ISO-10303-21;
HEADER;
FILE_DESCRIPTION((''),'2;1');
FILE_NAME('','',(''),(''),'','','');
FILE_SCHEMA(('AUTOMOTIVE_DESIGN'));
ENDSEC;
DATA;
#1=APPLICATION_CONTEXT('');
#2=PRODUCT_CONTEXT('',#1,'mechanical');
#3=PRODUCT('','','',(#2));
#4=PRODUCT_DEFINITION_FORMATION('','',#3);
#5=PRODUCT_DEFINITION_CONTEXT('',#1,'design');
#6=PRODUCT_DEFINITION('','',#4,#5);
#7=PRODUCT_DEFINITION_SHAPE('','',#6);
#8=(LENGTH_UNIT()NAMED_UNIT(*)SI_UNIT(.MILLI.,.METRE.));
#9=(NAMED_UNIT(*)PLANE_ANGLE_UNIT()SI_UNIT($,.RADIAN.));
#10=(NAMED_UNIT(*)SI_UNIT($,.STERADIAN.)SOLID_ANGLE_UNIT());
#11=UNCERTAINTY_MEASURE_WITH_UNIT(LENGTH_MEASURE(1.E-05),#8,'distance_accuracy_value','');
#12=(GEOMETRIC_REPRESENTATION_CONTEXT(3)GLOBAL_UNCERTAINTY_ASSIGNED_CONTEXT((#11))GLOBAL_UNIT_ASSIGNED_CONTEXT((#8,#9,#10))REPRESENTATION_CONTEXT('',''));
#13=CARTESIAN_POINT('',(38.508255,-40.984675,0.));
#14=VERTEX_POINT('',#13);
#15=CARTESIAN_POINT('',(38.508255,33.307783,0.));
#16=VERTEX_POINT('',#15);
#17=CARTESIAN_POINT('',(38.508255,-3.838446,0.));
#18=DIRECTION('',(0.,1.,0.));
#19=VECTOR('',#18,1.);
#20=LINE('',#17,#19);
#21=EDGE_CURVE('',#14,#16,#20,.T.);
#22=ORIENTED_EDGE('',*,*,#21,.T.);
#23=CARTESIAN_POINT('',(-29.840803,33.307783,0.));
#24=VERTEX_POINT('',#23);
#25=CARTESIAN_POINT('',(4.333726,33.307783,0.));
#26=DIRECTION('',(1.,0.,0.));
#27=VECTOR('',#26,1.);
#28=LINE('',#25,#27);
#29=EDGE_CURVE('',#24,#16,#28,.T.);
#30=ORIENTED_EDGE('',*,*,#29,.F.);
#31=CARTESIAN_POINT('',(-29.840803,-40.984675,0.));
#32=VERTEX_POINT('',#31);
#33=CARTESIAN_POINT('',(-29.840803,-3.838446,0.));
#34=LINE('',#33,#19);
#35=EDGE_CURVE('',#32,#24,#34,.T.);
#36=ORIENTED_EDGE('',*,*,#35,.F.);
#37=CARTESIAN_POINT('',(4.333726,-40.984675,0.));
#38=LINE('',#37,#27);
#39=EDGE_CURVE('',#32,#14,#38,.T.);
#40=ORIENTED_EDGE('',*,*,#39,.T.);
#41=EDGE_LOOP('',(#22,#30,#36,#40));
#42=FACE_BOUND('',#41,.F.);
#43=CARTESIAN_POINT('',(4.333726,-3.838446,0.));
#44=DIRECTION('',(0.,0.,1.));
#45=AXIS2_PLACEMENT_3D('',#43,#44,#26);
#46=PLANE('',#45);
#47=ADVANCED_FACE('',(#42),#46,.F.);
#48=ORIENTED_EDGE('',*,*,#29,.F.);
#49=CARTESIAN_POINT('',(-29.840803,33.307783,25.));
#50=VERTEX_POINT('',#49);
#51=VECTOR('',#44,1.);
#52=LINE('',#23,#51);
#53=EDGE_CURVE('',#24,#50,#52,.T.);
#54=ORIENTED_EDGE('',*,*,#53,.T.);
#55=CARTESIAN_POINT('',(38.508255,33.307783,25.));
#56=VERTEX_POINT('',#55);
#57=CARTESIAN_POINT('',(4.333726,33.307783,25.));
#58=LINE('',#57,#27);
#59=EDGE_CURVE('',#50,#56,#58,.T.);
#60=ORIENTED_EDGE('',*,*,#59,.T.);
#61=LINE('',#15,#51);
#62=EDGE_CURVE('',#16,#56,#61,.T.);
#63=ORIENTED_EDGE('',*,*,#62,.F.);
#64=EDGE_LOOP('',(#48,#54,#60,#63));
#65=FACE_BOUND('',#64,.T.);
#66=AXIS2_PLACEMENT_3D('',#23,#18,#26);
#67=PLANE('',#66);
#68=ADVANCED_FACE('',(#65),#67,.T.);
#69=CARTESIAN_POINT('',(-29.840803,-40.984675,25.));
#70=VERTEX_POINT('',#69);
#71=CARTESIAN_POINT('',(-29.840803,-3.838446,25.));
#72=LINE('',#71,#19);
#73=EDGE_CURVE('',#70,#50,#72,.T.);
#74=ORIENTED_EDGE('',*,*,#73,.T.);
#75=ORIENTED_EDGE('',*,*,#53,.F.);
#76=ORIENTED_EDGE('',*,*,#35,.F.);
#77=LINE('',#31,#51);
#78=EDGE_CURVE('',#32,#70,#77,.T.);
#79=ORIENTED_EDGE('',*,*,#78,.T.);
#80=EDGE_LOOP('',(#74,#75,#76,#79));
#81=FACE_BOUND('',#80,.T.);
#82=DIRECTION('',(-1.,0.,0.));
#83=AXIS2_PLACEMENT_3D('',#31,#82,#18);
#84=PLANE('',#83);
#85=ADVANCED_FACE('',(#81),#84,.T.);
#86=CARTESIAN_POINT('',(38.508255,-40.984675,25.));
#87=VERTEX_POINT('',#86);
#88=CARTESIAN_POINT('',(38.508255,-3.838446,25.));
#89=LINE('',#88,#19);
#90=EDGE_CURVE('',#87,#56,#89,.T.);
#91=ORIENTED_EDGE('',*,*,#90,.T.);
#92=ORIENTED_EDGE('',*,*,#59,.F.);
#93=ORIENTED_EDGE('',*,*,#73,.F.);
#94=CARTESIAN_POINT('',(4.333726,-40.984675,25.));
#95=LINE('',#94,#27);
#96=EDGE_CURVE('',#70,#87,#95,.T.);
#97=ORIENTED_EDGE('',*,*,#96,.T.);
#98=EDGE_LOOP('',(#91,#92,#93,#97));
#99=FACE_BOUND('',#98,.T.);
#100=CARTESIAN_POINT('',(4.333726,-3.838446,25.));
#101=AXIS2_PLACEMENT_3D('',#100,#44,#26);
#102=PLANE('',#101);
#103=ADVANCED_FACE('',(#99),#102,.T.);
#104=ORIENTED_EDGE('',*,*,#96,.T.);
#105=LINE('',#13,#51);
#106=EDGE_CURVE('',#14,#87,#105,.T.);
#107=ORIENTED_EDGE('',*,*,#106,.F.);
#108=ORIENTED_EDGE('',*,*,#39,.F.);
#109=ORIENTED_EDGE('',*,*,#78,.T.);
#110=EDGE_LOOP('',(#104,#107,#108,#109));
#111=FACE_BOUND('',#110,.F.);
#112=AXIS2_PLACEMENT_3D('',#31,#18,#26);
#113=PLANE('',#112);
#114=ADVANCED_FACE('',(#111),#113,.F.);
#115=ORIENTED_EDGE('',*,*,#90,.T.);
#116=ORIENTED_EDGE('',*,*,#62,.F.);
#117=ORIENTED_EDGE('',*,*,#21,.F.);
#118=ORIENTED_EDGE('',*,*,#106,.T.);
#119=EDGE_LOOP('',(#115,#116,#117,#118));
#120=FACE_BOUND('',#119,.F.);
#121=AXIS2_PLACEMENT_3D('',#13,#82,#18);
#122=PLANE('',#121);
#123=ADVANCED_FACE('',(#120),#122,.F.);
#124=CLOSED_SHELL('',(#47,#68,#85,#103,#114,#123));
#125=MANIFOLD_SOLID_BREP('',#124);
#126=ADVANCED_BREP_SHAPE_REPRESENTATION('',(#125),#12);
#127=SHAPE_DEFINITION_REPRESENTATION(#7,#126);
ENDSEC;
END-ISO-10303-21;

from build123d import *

# Parameters (mm, degrees)
F1_W     = 68.349058
F1_H     = 74.292458
F2_DEPTH = 25


with BuildPart() as f2:
    # F1 (on face) → F2 (new body)
    with BuildSketch(Plane.XY):
        with Locations((4.333726, -3.838446)):
            Rectangle(F1_W, F1_H)
    extrude(amount=F2_DEPTH)


solid = f2.part
